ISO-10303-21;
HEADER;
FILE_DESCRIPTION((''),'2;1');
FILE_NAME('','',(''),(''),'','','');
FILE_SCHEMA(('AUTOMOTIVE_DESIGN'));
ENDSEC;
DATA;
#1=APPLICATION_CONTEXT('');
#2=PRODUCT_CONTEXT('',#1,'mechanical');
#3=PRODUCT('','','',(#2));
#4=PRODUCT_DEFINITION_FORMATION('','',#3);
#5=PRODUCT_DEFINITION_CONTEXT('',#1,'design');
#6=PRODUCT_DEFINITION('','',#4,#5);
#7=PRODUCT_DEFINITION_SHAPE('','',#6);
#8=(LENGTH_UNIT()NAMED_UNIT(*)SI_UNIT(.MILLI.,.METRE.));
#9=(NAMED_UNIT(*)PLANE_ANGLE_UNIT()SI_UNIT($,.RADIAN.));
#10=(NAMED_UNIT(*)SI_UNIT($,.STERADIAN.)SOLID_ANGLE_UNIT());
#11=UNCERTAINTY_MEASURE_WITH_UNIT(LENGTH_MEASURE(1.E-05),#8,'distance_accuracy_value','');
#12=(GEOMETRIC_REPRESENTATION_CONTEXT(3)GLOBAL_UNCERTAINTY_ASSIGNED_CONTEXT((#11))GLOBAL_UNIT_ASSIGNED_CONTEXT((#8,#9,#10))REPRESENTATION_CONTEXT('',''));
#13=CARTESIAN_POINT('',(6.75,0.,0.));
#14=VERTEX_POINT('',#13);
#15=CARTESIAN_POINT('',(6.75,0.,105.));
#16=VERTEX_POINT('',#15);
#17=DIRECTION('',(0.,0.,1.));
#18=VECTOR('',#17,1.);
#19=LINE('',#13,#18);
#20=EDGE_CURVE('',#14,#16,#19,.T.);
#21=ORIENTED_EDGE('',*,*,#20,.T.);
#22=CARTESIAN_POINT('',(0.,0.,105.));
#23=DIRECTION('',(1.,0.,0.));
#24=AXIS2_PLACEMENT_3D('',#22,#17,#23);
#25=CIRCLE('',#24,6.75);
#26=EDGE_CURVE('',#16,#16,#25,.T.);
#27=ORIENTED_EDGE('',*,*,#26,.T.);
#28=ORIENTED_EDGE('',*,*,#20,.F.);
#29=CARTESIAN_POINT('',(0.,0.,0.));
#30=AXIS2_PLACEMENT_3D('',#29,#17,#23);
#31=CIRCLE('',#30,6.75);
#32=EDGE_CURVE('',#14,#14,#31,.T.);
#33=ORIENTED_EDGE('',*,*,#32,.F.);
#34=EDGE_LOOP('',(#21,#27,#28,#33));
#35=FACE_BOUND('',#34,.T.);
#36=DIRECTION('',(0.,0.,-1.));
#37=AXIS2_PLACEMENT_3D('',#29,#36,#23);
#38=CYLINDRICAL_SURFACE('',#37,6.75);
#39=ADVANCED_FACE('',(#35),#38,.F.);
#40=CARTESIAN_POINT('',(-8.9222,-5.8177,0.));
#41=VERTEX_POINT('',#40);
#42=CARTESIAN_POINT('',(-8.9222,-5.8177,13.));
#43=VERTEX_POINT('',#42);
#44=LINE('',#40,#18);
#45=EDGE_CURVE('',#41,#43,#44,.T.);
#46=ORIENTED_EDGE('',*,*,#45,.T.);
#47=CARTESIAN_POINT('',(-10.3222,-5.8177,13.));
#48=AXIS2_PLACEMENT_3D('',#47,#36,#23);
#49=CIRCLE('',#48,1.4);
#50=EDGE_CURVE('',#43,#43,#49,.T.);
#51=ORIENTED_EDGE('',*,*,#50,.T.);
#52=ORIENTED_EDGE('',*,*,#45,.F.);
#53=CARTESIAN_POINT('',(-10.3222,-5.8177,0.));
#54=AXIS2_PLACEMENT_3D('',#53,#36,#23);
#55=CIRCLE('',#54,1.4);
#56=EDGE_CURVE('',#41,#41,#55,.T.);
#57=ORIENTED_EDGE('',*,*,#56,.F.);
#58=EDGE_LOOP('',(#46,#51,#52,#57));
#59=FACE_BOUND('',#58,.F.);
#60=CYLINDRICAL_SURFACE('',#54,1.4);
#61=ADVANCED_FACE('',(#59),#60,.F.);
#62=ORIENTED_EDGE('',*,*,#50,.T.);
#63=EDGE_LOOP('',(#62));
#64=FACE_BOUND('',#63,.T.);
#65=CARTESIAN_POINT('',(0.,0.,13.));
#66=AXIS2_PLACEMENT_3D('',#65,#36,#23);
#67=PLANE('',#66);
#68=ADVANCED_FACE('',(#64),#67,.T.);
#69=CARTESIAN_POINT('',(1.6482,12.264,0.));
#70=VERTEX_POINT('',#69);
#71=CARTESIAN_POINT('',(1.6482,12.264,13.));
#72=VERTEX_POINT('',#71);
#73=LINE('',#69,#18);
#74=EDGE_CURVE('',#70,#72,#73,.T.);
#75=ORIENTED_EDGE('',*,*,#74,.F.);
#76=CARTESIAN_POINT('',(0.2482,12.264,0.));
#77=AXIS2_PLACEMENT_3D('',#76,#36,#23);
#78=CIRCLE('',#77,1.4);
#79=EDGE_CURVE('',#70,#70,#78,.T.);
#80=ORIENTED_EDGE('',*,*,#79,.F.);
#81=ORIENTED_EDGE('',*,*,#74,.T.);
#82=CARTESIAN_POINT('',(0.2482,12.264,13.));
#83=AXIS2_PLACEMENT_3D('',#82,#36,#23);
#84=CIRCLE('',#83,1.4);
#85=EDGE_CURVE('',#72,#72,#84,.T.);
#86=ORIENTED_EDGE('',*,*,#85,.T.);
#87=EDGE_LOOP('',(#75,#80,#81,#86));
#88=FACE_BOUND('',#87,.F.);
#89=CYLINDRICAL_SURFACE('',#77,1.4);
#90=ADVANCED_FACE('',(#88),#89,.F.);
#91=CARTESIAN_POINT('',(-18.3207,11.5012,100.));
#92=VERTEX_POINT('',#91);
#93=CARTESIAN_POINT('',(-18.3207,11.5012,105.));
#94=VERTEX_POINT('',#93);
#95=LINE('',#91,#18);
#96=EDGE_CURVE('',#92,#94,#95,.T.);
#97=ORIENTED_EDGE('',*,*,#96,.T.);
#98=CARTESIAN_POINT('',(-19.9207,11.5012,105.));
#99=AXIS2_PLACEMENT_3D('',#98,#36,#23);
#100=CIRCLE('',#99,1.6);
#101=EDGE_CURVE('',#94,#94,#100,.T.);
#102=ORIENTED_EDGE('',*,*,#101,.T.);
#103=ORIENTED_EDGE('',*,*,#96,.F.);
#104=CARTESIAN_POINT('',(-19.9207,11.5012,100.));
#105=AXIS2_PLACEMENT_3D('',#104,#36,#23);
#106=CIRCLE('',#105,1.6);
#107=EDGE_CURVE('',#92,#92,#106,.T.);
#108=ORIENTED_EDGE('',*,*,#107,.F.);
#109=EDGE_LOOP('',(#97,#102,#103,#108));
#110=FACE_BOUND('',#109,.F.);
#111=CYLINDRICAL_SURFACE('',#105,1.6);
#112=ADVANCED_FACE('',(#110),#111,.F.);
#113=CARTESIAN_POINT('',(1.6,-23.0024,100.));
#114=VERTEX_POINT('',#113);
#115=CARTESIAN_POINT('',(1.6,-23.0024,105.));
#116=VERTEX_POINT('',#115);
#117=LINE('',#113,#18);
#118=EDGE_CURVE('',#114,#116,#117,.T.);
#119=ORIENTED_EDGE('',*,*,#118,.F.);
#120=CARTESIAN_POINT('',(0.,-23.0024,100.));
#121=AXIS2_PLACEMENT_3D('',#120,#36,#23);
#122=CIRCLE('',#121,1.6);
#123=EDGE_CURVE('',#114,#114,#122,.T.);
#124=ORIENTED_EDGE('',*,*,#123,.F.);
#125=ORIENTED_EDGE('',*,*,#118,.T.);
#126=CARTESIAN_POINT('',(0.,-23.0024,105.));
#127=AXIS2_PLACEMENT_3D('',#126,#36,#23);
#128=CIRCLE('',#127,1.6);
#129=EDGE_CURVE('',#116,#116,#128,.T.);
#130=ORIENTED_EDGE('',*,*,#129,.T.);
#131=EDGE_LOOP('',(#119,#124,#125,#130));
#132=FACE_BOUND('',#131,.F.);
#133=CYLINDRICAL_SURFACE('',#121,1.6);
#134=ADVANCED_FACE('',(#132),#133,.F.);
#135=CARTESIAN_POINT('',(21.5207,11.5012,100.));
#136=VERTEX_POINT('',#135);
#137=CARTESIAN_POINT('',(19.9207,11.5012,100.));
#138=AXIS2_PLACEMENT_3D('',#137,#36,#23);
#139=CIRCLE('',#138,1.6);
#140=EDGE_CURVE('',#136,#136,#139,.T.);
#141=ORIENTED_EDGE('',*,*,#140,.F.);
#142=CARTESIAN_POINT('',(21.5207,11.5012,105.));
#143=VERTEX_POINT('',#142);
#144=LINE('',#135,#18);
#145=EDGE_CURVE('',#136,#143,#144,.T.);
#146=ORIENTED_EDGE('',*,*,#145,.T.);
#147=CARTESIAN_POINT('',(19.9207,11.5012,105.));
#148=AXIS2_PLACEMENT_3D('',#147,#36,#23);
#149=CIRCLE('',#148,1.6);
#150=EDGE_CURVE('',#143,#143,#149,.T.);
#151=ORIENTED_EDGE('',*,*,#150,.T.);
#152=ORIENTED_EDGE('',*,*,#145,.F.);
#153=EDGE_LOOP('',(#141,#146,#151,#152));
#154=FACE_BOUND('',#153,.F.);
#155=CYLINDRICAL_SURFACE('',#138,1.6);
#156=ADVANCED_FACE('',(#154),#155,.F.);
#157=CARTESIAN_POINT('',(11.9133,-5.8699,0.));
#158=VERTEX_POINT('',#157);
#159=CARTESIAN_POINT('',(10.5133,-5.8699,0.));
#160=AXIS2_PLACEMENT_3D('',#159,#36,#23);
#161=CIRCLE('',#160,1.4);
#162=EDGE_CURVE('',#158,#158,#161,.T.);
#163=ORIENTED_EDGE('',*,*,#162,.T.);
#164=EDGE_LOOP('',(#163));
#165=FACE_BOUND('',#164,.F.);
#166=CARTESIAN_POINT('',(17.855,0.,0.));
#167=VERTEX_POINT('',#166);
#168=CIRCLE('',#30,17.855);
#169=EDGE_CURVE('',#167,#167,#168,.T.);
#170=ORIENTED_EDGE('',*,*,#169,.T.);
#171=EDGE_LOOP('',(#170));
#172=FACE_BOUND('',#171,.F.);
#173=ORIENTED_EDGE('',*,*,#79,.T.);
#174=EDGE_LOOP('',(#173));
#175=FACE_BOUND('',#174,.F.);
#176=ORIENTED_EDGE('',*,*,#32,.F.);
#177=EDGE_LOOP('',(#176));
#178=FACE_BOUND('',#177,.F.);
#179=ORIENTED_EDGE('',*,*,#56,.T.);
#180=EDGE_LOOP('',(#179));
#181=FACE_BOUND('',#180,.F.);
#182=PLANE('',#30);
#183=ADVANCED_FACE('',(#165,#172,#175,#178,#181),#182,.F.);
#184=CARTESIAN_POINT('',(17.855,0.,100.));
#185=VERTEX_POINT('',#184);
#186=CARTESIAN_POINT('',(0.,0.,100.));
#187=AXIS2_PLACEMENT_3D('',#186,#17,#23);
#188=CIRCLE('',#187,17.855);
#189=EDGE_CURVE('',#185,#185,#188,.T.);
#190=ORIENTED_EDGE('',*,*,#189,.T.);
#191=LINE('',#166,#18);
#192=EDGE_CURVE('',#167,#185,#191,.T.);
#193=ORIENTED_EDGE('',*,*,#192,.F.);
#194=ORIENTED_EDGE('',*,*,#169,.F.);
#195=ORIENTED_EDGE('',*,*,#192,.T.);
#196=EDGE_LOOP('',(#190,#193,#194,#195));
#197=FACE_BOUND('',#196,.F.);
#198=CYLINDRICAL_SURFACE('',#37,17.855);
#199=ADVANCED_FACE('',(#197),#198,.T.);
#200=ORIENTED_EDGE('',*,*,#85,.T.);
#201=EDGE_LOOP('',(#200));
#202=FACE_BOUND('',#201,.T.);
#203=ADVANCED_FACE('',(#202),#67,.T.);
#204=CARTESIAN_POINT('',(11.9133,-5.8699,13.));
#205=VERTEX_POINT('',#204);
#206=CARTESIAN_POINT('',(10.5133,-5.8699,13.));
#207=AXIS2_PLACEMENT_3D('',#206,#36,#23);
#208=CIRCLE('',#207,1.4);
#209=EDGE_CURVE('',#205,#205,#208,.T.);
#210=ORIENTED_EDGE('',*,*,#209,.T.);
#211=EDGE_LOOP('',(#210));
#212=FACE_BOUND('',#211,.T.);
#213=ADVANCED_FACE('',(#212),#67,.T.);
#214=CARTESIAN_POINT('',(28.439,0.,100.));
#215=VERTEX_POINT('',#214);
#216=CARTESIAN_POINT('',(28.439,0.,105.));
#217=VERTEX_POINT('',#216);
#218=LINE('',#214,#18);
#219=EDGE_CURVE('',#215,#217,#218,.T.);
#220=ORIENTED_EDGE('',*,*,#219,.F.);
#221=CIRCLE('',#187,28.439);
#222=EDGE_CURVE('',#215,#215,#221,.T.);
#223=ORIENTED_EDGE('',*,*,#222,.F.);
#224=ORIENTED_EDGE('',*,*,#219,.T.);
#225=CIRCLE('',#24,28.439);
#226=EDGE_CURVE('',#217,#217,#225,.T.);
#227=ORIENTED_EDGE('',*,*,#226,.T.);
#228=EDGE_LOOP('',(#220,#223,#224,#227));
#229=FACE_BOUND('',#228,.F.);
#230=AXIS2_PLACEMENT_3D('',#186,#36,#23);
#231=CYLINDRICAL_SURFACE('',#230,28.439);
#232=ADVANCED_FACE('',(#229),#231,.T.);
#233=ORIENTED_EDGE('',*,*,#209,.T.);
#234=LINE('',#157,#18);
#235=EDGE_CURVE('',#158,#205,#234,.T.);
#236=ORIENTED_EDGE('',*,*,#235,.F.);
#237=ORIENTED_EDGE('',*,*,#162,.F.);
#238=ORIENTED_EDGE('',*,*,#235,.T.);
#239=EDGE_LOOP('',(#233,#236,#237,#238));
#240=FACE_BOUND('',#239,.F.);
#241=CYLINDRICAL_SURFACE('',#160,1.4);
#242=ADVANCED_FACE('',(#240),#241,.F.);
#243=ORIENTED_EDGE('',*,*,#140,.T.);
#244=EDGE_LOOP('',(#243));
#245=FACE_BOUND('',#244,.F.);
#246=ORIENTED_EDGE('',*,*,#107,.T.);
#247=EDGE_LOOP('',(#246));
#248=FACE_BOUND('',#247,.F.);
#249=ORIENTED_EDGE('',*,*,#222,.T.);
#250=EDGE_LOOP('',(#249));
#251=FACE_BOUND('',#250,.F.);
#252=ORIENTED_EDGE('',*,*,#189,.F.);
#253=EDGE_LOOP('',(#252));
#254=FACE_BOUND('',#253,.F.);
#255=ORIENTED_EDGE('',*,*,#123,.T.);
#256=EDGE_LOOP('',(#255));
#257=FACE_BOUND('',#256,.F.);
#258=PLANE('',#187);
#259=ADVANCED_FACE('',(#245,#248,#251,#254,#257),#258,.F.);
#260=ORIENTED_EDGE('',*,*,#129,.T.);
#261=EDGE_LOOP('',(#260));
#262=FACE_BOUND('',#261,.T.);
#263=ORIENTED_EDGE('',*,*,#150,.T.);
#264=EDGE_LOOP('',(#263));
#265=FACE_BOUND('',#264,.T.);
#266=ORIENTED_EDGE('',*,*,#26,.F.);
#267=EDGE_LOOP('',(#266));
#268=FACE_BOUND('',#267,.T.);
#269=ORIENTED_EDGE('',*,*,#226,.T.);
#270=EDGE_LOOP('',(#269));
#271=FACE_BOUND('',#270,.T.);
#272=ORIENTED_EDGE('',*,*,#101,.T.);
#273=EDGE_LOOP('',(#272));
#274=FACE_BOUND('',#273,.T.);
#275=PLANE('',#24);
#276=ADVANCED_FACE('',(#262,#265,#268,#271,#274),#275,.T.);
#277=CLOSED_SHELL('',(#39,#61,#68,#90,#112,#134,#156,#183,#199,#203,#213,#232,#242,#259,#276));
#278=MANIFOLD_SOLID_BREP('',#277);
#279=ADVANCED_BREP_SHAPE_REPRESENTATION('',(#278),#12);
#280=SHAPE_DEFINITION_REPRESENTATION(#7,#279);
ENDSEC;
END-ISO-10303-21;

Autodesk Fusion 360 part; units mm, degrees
sketch "Sketch1" plane through (0, 0, 0) normal (0, 0, 1) x (1, 0, 0)
  circle A0 centre (0, 0) radius 17.855
  circle A1 centre (0, 0) radius 6.75
  dimension "d1" = 35.71
  dimension "d2" = 13.5
extrude "Extrude1" add sketch "Sketch1" along normal blind 100
sketch "Sketch2" plane through (0, 0, 0) normal (0, 0, -1) x (1, 0, 0)
  circle A0 centre (0, 0) radius 6.75
  circle A1 centre (0, 0) radius 17.855
  circle A2 centre (0.2482, -12.264) radius 1.4
  circle A3 centre (10.5133, 5.8699) radius 1.4
  circle A4 centre (-10.3222, 5.8177) radius 1.4
  dimension "d5" = 2.8
  dimension "d6" = 2.8
  dimension "d7" = 2.8
extrude "Extrude2" cut sketch "Sketch2" against normal blind 13 contours A2 | A3 | A4
sketch "Sketch3" plane through (0, 0, 100) normal (0, 0, 1) x (1, 0, 0)
  circle A0 centre (0, 0) radius 28.439
  circle A1 centre (0, 0) radius 6.75
  circle A2 centre (0, 0) radius 17.855
extrude "Extrude3" add sketch "Sketch3" along normal blind 5 contours A0 | A2
sketch "Sketch4" plane through (0, 0, 100) normal (0, 0, -1) x (1, 0, 0)
  circle A0 centre (0, 0) radius 28.439
  circle A1 centre (0, 0) radius 17.855
  circle A2 centre (0, 23.0024) radius 1.6
  circle A3 centre (-19.9207, -11.5012) radius 1.6
  circle A4 centre (19.9207, -11.5012) radius 1.6
  dimension "d17" = 3.2
  dimension "d19" = 360
extrude "Extrude4" cut sketch "Sketch4" against normal blind 5 contours A2 | A3 | A4
